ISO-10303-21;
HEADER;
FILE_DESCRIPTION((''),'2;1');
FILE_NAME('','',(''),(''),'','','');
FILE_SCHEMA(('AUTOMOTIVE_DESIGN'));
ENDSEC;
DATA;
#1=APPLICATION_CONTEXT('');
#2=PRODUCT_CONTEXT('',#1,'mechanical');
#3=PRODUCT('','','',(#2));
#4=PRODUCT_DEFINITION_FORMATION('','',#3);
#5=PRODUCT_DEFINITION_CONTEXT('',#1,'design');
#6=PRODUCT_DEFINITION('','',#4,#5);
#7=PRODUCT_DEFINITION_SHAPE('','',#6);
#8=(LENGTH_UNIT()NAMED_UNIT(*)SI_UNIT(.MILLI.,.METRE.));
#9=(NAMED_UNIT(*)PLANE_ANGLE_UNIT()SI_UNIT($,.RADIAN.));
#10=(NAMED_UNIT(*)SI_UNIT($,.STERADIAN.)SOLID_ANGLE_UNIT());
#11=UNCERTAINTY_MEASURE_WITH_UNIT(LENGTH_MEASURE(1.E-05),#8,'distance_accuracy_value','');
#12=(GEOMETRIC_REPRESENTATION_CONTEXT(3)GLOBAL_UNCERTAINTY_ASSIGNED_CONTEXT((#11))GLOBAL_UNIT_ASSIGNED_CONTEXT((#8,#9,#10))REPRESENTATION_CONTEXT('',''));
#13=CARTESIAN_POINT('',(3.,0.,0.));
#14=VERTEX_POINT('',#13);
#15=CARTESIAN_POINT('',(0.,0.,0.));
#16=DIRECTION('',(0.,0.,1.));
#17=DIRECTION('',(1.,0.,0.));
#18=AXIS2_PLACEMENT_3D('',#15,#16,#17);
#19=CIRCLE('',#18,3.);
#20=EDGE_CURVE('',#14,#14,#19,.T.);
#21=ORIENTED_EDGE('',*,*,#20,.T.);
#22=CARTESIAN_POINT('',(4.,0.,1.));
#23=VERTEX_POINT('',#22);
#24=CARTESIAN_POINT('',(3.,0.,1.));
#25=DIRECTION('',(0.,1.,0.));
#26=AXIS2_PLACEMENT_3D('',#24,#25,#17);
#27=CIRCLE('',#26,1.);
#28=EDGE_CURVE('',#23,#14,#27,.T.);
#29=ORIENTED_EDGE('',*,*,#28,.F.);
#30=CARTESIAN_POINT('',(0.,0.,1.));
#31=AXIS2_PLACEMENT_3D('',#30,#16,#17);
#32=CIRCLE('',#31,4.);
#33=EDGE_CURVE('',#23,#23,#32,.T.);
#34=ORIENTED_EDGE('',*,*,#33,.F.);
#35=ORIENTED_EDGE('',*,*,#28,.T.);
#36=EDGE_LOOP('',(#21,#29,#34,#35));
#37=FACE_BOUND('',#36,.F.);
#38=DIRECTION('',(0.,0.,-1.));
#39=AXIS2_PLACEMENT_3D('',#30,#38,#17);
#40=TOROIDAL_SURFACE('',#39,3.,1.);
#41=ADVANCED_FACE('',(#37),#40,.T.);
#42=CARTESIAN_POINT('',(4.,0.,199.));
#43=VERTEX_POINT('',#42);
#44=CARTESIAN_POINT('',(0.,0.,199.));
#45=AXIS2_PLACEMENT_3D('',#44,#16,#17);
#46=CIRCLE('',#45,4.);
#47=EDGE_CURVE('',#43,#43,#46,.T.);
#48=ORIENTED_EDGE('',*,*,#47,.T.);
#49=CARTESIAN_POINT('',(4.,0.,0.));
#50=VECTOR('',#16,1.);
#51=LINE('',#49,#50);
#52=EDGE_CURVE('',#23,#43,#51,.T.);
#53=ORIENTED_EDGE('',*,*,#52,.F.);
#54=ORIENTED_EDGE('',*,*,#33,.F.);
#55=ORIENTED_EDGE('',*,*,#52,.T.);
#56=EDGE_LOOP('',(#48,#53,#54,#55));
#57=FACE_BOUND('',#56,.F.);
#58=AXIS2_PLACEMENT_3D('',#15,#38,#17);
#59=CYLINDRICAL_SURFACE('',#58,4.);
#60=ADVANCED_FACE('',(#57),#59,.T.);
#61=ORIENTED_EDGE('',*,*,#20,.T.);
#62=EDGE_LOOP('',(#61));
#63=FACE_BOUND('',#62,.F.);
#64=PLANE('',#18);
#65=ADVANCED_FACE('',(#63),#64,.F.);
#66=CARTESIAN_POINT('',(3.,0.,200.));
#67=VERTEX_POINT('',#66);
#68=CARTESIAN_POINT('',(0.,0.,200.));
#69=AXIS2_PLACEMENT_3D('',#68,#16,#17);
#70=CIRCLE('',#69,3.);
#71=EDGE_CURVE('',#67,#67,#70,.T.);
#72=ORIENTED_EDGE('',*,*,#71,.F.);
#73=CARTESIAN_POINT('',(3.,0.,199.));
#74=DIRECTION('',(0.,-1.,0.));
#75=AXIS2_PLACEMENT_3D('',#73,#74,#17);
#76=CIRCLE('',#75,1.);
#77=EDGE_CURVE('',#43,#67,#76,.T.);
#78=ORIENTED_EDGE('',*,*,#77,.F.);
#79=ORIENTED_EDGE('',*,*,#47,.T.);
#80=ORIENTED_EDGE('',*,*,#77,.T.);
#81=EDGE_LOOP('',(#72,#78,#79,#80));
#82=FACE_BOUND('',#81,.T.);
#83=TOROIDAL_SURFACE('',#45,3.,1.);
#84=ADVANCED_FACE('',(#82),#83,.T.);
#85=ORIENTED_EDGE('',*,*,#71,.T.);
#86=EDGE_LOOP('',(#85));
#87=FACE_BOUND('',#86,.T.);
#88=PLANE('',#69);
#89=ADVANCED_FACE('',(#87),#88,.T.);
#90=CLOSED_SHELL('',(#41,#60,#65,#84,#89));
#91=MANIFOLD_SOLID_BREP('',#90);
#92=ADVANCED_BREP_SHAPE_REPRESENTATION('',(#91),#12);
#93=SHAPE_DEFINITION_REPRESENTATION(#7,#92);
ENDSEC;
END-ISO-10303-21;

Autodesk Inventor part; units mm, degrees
ref_plane "YZ Plane" through (0, 0, 0) normal (1, 0, 0) x (0, 1, 0)
ref_plane "XZ Plane" through (0, 0, 0) normal (0, 1, 0) x (-1, 0, 0)
ref_plane "XY Plane" through (0, 0, 0) normal (0, 0, 1) x (1, 0, 0)
sketch "Sketch1" plane through (0, 0, 0) normal (0, 0, 1) x (1, 0, 0)
  circle A0 centre (0, 0) radius 4
  dimension "d0" = 8
extrude "Extrusion1" add sketch "Sketch1" along normal blind 200
thread "Thread1" size "TR8x1.5" class "7e" standard "ISO Metric Trapezoidal Threads" full length
fillet "Fillet1" radius 1 2 edges at (-4, 0, 200) (-4, 0, 0)
properties part number "BarraRoscadaT8"
